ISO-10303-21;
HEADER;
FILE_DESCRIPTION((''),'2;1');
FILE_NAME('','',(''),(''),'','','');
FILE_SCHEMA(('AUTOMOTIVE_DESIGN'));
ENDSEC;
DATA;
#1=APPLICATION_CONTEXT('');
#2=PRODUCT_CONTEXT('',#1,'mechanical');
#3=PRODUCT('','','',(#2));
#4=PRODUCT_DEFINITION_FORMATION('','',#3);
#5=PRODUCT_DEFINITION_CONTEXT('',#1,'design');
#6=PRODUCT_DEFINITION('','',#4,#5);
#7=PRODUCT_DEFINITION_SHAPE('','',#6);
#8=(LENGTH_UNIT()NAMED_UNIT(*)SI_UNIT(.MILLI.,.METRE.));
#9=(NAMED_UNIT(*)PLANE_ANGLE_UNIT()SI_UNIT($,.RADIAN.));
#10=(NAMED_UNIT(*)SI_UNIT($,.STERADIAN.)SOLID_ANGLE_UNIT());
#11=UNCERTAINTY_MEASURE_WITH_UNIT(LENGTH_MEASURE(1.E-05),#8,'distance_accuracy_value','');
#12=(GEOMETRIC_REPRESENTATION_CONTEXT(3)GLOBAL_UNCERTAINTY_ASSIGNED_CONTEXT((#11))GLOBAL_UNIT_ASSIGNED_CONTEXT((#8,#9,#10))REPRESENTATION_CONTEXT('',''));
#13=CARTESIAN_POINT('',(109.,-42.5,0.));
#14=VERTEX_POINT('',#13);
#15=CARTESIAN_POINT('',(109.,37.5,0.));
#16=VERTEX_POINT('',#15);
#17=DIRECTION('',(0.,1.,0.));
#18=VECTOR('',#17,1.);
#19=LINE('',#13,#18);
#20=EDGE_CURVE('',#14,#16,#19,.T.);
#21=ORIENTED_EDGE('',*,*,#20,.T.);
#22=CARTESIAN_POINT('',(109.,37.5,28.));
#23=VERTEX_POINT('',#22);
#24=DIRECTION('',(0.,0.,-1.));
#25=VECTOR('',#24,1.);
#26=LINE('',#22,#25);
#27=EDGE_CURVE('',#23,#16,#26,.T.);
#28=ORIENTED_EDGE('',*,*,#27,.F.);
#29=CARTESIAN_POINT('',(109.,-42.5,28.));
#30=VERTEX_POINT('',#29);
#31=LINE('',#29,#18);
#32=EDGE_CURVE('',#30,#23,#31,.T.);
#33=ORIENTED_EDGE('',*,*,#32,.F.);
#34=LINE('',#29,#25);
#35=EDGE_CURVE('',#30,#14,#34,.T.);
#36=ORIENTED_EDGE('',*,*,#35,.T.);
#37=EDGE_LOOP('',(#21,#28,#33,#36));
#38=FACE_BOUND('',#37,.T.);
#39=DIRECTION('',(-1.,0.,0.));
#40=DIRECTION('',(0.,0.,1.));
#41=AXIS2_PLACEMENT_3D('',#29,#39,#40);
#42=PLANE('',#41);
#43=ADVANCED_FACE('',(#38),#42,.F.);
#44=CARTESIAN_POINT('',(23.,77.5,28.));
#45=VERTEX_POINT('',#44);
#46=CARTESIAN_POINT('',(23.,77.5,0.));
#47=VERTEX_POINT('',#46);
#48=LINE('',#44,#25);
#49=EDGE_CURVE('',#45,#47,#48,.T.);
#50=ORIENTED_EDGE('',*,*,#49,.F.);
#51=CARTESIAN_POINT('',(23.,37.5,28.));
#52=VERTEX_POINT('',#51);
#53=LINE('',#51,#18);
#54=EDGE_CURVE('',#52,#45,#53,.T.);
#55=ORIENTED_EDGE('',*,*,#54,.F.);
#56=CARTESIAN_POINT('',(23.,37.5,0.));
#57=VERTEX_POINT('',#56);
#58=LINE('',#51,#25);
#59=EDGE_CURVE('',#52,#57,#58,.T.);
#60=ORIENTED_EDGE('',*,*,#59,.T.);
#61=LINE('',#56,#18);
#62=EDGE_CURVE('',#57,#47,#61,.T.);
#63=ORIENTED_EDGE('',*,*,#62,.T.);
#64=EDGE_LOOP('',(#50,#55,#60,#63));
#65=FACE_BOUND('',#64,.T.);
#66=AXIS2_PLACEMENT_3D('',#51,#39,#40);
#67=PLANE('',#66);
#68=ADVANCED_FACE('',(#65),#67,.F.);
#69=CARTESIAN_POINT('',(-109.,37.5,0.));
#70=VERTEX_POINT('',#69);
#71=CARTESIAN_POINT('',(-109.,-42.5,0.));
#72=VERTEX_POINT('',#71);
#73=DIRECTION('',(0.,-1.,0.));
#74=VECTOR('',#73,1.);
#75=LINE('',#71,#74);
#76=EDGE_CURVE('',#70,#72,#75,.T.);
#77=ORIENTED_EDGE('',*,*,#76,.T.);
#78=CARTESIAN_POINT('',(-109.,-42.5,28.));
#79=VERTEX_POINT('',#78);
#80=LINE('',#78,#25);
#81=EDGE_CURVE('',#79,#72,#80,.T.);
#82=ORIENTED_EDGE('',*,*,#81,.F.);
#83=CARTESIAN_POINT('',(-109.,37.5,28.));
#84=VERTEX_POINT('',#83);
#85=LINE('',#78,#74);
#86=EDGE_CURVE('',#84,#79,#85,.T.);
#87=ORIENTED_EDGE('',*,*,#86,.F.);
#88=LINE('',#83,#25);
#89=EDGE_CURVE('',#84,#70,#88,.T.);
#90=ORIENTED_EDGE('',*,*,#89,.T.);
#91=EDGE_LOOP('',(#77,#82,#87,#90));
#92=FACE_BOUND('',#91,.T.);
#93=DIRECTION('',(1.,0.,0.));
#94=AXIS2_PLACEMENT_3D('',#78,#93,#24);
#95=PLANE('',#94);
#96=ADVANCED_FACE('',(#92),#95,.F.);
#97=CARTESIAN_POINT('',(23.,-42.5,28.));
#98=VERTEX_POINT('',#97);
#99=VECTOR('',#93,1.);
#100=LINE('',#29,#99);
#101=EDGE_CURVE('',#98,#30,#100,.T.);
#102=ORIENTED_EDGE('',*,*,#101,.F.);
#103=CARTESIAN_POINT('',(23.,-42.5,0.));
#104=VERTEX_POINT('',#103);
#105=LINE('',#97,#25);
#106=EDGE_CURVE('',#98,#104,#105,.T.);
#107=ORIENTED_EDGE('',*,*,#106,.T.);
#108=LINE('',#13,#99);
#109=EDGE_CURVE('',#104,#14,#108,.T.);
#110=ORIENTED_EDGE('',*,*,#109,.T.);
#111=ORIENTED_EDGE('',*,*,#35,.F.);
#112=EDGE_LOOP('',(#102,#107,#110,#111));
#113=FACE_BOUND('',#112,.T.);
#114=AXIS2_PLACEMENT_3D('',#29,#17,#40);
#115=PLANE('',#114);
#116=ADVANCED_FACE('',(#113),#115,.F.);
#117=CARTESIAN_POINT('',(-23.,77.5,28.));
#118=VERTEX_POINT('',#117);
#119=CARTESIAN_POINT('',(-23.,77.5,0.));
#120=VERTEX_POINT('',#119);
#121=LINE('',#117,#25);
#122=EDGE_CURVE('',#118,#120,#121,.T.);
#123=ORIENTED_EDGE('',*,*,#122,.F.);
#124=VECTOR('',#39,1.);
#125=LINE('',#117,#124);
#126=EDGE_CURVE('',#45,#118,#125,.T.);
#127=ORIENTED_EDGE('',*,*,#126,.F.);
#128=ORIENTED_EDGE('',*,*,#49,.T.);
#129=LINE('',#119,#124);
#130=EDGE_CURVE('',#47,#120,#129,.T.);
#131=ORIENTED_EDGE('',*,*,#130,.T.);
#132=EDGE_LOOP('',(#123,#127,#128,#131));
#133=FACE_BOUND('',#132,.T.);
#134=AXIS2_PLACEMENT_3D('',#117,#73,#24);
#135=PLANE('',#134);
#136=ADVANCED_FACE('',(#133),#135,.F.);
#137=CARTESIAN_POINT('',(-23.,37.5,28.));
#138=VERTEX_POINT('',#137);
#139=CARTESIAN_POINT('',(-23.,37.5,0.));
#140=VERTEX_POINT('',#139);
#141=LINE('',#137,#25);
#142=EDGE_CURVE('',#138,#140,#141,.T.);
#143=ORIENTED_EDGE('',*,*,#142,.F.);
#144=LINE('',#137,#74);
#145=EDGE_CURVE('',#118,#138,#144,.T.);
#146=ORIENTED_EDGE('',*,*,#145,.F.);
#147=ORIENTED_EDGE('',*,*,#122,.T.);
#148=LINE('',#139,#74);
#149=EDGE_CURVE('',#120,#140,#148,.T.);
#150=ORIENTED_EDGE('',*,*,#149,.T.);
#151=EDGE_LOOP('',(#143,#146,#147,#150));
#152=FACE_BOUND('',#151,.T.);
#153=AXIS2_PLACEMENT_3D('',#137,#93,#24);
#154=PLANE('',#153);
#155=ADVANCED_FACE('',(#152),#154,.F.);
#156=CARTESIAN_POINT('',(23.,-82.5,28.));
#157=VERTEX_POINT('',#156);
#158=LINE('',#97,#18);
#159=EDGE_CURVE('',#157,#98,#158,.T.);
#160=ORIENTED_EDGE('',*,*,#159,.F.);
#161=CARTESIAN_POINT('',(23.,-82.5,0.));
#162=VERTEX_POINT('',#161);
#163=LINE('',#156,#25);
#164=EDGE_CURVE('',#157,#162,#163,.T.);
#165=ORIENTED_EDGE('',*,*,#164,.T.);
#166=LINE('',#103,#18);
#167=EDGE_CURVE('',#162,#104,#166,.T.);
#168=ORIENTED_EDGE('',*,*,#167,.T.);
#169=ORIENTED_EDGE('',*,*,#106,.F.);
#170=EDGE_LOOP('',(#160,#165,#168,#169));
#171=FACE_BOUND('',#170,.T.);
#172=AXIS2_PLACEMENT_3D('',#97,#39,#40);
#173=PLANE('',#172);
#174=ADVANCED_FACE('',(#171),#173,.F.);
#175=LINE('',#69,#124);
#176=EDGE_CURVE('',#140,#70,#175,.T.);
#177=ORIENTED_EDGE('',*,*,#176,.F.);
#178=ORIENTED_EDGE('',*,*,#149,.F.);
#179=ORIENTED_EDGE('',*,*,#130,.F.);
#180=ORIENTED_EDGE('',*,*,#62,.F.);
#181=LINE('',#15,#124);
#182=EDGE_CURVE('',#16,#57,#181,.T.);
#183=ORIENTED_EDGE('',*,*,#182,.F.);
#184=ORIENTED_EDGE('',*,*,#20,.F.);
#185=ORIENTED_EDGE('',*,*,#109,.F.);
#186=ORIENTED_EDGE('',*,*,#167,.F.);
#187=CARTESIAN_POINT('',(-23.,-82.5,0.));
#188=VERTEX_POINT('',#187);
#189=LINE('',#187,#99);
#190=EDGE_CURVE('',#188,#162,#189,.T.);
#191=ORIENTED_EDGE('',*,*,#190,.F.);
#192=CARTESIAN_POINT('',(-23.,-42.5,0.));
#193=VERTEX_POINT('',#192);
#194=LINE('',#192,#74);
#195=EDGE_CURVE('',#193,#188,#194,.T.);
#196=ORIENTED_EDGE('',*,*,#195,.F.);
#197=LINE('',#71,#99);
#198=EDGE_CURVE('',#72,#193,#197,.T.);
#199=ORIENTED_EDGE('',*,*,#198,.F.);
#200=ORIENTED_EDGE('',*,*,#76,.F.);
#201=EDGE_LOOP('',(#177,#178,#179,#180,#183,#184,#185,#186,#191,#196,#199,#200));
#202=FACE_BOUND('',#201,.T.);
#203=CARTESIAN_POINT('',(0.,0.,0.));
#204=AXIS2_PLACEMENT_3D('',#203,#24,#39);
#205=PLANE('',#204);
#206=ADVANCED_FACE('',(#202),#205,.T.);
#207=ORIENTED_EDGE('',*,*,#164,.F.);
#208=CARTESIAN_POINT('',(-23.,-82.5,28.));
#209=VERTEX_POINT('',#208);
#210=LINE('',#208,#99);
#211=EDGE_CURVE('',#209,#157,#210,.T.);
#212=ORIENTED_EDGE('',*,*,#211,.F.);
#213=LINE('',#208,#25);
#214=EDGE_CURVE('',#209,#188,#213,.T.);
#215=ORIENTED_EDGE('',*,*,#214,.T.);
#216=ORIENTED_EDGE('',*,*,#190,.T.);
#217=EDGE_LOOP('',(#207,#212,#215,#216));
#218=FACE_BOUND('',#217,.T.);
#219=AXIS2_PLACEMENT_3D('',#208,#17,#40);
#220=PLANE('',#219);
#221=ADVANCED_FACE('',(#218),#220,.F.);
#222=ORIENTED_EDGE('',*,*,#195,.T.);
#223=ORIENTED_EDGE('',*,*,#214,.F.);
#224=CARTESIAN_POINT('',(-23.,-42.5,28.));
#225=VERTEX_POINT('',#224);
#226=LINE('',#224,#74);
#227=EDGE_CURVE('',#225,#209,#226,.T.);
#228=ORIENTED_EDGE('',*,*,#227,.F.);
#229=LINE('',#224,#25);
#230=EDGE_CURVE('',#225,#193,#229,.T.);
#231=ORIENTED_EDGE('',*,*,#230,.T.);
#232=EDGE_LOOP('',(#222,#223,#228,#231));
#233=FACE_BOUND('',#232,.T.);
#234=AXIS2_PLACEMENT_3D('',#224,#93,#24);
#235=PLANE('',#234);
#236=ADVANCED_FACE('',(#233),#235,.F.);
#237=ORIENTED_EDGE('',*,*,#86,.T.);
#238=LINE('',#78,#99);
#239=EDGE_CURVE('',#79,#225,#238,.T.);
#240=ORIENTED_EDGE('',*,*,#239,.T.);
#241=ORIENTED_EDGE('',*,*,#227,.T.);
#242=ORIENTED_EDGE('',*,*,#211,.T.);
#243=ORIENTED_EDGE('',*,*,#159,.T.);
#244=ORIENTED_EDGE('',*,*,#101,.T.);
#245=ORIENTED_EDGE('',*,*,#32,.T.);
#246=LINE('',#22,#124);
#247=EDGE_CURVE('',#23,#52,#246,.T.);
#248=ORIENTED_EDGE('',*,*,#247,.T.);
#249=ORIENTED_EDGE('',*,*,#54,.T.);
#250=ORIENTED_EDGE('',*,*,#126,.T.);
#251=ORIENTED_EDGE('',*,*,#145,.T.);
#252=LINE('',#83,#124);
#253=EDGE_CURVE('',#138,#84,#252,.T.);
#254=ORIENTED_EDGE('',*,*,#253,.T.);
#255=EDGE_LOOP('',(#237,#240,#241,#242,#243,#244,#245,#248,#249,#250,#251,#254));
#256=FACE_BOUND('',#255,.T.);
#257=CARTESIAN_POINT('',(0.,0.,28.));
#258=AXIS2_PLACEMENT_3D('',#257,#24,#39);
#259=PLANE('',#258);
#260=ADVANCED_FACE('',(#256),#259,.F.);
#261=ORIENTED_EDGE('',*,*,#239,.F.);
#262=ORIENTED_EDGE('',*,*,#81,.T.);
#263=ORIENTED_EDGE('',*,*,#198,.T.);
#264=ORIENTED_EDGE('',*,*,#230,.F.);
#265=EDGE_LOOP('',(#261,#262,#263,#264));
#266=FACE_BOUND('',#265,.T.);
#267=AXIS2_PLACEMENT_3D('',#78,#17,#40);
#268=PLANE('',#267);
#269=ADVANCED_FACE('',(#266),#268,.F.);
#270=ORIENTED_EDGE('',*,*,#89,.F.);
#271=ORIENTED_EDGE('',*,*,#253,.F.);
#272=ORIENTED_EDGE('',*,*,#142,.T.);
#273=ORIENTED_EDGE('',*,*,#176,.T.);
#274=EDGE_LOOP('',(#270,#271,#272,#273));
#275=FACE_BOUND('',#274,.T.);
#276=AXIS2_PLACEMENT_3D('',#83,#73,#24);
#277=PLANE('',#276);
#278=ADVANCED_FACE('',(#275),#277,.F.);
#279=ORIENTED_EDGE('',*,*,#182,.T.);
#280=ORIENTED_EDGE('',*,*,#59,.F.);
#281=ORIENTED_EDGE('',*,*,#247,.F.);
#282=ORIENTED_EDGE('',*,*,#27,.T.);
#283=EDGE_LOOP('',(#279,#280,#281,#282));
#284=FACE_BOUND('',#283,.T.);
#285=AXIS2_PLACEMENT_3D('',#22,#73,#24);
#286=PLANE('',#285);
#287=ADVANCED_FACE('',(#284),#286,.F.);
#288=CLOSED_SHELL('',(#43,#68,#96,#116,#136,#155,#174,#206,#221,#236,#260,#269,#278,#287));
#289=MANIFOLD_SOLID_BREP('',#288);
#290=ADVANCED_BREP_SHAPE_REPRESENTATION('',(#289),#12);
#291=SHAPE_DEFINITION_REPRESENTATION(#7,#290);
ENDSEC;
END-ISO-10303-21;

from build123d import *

# Parameters (mm, degrees)
BOSS_EXTRUDE1_DEPTH = 28


with BuildPart() as part:
    # Sketch2 → Boss-Extrude1 (new body)
    with BuildSketch(Plane.XY):
        Polygon((-109, -42.5), (-23, -42.5), (-23, -82.5), (23, -82.5), (23, -42.5), (109, -42.5), (109, 37.5), (23, 37.5), (23, 77.5), (-23, 77.5), (-23, 37.5), (-109, 37.5), align=None)
    extrude(amount=BOSS_EXTRUDE1_DEPTH)


solid = part.part
